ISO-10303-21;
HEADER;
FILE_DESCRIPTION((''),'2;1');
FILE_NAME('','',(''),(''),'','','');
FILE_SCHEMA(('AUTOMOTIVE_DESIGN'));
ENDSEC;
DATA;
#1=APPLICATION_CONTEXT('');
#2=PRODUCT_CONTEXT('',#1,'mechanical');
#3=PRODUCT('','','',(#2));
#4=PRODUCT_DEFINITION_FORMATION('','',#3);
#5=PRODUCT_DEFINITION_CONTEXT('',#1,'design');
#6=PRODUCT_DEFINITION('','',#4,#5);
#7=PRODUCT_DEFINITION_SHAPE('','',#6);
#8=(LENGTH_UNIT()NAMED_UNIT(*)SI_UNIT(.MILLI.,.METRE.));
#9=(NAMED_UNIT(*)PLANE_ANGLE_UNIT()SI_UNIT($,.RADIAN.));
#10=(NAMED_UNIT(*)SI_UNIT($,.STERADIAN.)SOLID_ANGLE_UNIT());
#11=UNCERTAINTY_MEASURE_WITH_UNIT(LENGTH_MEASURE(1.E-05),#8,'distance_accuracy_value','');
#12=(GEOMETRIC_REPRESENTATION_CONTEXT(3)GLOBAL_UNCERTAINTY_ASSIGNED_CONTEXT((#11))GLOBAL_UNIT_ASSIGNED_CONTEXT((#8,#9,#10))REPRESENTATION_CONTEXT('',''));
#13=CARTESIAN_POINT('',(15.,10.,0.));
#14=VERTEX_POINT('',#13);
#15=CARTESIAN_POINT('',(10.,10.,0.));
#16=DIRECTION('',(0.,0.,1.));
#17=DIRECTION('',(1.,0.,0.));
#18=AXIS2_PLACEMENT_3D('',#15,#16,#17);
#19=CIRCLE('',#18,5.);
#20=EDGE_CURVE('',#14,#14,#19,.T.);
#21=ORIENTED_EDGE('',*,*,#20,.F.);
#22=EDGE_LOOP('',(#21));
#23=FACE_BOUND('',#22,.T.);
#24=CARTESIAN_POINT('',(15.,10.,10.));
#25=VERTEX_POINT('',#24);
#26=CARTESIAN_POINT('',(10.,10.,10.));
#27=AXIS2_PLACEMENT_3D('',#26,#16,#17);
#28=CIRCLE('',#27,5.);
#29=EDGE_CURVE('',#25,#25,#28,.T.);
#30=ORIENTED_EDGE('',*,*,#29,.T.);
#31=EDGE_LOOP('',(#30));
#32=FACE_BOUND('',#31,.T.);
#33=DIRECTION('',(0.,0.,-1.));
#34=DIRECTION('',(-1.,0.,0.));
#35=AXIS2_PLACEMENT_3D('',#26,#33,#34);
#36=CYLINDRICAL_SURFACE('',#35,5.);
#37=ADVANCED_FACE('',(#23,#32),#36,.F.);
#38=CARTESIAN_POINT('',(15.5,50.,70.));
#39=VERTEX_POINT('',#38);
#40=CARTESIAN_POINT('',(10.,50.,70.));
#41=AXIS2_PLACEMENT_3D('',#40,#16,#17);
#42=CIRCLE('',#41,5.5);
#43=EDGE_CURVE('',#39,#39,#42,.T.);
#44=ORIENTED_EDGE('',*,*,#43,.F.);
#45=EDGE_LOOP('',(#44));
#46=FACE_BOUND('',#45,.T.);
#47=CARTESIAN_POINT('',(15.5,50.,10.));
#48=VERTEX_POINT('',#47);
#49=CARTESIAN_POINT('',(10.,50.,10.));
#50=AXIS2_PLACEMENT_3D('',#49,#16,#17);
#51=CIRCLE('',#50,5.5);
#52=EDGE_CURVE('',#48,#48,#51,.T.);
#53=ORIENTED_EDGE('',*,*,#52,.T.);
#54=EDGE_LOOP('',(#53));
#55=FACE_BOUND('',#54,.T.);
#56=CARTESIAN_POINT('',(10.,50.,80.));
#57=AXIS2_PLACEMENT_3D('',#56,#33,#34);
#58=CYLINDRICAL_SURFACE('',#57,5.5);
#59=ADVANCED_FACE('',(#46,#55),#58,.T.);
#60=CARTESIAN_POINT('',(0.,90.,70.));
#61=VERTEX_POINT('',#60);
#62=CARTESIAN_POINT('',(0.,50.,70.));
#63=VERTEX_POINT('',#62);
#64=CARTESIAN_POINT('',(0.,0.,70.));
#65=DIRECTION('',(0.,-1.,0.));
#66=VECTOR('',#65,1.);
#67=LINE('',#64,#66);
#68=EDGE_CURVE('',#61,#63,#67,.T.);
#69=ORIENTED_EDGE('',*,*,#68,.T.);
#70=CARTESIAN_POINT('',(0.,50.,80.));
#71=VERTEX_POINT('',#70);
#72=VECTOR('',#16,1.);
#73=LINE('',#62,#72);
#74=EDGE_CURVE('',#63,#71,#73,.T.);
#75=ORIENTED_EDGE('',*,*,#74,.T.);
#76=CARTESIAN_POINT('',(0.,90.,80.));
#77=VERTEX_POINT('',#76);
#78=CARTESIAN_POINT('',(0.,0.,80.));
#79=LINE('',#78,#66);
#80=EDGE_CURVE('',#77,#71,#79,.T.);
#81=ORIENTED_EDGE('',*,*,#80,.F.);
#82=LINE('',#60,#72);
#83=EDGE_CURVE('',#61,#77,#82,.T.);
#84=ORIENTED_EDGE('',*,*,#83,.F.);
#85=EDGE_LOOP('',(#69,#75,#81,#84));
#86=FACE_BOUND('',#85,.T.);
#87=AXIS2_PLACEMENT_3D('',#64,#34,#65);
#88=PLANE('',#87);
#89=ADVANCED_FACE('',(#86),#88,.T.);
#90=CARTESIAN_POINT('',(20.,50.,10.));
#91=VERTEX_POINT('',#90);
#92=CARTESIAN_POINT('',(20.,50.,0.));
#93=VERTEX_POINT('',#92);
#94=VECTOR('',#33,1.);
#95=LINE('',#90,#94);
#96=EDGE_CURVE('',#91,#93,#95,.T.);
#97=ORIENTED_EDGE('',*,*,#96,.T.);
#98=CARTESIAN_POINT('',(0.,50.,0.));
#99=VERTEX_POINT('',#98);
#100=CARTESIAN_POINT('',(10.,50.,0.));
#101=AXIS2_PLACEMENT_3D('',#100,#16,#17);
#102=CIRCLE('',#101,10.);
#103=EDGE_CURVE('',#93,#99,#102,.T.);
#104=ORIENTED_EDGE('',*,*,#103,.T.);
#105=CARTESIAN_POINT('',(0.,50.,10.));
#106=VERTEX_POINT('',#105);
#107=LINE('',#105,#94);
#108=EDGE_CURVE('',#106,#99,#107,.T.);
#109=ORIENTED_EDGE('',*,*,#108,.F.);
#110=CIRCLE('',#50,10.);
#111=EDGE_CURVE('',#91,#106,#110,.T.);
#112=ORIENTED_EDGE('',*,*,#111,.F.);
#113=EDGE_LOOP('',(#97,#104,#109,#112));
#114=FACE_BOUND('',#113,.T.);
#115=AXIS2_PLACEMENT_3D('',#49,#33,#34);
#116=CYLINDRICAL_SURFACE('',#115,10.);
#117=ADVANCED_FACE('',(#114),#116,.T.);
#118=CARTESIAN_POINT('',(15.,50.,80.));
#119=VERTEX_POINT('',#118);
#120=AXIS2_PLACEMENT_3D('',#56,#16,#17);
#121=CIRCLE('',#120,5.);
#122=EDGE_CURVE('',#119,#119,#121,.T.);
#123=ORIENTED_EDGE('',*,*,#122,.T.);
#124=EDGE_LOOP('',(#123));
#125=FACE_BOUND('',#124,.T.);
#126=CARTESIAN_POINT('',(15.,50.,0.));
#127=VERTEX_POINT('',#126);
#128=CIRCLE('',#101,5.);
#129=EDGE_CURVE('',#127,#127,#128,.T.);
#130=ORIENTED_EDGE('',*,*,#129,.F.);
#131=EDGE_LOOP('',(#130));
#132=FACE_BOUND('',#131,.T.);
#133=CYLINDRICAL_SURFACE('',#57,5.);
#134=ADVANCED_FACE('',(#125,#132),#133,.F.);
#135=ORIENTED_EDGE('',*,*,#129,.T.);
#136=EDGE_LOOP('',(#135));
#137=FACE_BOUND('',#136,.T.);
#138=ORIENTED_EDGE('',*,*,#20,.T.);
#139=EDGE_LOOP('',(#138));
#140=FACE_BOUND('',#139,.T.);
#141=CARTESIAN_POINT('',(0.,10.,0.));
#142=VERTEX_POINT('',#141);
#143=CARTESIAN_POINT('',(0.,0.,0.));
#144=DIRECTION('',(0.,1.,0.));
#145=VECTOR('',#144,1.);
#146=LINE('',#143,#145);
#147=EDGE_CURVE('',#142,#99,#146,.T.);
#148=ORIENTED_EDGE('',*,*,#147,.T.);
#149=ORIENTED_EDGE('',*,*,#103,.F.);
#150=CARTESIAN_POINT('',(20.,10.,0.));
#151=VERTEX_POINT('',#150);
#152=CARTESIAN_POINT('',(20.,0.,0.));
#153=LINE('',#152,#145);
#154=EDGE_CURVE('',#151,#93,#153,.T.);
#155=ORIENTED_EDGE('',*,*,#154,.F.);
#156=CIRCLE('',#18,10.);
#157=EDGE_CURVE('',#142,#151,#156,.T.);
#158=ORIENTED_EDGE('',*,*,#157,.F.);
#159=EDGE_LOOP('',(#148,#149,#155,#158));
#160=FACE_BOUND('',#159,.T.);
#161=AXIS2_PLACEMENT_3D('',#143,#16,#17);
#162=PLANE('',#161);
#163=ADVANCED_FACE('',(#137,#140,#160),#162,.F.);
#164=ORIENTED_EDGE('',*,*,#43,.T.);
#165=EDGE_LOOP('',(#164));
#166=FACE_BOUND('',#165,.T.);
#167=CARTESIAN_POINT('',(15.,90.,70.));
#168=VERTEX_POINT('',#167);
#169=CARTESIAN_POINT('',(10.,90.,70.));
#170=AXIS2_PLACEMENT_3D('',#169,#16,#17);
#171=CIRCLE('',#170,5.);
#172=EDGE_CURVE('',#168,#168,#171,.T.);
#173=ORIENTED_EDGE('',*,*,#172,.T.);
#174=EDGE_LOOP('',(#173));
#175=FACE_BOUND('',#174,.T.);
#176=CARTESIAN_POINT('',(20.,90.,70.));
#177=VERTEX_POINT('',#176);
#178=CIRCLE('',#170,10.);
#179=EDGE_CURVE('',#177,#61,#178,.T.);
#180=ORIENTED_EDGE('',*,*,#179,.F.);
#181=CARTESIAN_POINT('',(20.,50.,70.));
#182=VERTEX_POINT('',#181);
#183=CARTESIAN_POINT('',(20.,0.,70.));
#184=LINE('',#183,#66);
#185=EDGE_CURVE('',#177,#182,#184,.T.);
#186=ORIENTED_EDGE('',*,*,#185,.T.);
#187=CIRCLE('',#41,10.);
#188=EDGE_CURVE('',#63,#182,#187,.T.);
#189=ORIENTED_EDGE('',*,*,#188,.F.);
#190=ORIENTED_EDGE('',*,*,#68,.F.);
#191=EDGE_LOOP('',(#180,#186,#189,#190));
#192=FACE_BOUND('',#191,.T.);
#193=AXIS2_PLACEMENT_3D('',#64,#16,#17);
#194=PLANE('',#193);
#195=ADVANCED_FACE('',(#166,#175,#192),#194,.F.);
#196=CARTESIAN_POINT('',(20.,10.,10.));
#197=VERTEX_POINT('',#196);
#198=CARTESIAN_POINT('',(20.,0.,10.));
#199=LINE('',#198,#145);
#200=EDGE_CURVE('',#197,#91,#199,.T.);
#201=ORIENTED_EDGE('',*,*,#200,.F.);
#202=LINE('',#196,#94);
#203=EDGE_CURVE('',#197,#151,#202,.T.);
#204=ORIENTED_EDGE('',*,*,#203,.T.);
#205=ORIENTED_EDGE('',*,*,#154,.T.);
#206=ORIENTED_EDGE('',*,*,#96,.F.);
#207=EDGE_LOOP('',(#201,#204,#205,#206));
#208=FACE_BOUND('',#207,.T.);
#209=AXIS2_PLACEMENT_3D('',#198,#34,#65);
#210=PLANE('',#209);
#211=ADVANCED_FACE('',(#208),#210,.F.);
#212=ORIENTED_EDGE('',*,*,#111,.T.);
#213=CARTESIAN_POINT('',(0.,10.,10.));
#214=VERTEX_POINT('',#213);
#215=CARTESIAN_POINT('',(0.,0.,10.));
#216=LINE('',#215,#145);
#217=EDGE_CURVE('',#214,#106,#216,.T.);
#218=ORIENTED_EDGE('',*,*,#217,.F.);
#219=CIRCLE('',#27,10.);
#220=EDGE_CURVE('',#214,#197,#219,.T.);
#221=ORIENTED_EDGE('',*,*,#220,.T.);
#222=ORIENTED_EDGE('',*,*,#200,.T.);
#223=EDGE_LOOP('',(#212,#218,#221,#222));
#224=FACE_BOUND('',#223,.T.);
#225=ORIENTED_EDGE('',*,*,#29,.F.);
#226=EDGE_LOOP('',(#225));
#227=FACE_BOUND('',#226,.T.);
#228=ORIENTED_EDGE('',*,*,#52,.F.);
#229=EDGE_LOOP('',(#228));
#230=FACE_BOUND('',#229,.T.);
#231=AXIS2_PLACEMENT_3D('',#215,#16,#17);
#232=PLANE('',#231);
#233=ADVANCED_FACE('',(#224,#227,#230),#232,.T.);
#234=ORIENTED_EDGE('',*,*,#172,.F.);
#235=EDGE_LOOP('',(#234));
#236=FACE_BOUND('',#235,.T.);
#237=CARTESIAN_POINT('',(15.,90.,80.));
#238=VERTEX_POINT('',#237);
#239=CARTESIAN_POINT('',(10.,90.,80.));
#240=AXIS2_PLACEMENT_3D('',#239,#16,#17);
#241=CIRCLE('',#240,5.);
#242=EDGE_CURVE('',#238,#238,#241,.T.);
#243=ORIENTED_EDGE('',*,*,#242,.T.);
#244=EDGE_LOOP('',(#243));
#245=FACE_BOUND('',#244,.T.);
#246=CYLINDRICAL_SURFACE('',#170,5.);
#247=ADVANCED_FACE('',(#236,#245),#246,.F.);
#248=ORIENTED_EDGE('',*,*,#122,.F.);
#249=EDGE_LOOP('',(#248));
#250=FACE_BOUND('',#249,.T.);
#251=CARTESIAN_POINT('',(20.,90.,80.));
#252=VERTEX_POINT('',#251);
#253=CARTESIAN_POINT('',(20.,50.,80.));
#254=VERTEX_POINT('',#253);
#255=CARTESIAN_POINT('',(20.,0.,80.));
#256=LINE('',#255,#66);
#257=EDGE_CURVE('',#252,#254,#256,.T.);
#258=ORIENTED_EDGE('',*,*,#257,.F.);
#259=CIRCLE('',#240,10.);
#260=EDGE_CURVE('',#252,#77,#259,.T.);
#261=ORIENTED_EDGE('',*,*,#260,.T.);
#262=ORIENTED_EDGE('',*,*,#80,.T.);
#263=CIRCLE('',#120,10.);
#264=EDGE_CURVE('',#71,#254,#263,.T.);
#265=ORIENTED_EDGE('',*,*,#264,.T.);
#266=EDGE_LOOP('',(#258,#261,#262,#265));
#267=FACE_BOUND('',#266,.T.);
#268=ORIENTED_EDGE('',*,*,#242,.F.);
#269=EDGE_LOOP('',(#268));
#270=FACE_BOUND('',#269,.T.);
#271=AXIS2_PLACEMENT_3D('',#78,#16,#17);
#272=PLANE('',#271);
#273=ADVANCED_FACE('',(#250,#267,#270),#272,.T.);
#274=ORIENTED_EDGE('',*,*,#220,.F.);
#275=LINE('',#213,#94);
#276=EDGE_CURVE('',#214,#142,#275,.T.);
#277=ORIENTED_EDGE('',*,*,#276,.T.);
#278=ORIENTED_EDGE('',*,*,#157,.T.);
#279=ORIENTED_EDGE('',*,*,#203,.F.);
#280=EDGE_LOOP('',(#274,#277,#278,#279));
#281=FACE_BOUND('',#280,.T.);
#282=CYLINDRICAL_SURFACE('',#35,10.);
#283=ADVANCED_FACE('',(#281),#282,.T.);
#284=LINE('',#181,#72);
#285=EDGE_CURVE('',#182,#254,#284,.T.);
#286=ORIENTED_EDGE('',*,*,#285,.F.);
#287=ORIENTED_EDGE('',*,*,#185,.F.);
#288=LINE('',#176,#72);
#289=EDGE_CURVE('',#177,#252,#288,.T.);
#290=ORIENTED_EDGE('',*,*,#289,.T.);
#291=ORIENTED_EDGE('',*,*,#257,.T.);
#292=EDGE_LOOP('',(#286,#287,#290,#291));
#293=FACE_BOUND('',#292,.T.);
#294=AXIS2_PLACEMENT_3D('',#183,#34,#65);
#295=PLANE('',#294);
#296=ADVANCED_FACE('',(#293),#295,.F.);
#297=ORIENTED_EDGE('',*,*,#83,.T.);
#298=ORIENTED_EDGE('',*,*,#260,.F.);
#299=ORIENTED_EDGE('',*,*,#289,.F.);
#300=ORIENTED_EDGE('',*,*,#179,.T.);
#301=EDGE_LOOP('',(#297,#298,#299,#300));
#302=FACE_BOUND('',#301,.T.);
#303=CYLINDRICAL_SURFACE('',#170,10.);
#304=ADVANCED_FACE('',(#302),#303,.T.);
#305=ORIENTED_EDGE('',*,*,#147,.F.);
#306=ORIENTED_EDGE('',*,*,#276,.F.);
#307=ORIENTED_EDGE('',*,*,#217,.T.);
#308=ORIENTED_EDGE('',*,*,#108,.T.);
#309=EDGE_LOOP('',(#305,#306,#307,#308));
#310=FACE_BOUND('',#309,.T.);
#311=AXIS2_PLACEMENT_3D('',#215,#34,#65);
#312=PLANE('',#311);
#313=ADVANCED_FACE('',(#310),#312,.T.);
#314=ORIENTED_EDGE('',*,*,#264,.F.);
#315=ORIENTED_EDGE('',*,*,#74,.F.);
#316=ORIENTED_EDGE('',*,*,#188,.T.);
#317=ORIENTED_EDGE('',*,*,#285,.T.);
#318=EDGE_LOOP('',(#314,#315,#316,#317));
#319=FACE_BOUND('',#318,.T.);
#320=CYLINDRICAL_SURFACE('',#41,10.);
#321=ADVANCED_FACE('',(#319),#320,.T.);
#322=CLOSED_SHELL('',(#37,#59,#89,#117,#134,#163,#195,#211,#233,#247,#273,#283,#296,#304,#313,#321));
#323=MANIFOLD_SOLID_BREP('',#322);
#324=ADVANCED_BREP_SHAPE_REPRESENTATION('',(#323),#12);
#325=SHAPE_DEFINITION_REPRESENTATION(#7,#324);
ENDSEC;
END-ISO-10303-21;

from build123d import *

# Parameters (mm, degrees)
SKETCH1_R           = 5
SKETCH1_R_2         = 5.5
BOSS_EXTRUDE1_DEPTH = 10
SKETCH1_3_R         = 5.5
SKETCH1_3_R_2       = 5
BOSS_EXTRUDE2_DEPTH = 80
BOSS_EXTRUDE3_START = -10
SKETCH2_R           = 5.5
SKETCH2_R_2         = 5
BOSS_EXTRUDE3_DEPTH = 10


with BuildPart() as part:
    # Sketch1 → Boss-Extrude1 (new body)
    with BuildSketch(Plane.XY):
        with BuildLine():
            Line((0, 50), (0, 10))
            ThreePointArc((0, 10), (10, 0), (20, 10))
            Line((20, 10), (20, 50))
            ThreePointArc((20, 50), (10, 60), (0, 50))
        make_face()
        with Locations((10, 10)):
            Circle(SKETCH1_R, mode=Mode.SUBTRACT)
        with Locations((10, 50)):
            Circle(SKETCH1_R_2, mode=Mode.SUBTRACT)
    extrude(amount=BOSS_EXTRUDE1_DEPTH)

    # Sketch1<3> → Boss-Extrude2 (add)
    with BuildSketch(Plane.XY):
        with Locations((10, 50)):
            Circle(SKETCH1_3_R)
        with Locations((10, 50)):
            Circle(SKETCH1_3_R_2, mode=Mode.SUBTRACT)
    extrude(amount=BOSS_EXTRUDE2_DEPTH)

    # Sketch2 → Boss-Extrude3 (add)
    with BuildSketch(Plane.XY.offset(80).offset(BOSS_EXTRUDE3_START)):
        with BuildLine():
            Line((20, 50), (20, 90))
            ThreePointArc((20, 90), (10, 100), (0, 90))
            Line((0, 90), (0, 50))
            ThreePointArc((0, 50), (10, 40), (20, 50))
        make_face()
        with Locations((10, 50)):
            Circle(SKETCH2_R, mode=Mode.SUBTRACT)
        with Locations((10, 90)):
            Circle(SKETCH2_R_2, mode=Mode.SUBTRACT)
    extrude(amount=BOSS_EXTRUDE3_DEPTH)


solid = part.part
